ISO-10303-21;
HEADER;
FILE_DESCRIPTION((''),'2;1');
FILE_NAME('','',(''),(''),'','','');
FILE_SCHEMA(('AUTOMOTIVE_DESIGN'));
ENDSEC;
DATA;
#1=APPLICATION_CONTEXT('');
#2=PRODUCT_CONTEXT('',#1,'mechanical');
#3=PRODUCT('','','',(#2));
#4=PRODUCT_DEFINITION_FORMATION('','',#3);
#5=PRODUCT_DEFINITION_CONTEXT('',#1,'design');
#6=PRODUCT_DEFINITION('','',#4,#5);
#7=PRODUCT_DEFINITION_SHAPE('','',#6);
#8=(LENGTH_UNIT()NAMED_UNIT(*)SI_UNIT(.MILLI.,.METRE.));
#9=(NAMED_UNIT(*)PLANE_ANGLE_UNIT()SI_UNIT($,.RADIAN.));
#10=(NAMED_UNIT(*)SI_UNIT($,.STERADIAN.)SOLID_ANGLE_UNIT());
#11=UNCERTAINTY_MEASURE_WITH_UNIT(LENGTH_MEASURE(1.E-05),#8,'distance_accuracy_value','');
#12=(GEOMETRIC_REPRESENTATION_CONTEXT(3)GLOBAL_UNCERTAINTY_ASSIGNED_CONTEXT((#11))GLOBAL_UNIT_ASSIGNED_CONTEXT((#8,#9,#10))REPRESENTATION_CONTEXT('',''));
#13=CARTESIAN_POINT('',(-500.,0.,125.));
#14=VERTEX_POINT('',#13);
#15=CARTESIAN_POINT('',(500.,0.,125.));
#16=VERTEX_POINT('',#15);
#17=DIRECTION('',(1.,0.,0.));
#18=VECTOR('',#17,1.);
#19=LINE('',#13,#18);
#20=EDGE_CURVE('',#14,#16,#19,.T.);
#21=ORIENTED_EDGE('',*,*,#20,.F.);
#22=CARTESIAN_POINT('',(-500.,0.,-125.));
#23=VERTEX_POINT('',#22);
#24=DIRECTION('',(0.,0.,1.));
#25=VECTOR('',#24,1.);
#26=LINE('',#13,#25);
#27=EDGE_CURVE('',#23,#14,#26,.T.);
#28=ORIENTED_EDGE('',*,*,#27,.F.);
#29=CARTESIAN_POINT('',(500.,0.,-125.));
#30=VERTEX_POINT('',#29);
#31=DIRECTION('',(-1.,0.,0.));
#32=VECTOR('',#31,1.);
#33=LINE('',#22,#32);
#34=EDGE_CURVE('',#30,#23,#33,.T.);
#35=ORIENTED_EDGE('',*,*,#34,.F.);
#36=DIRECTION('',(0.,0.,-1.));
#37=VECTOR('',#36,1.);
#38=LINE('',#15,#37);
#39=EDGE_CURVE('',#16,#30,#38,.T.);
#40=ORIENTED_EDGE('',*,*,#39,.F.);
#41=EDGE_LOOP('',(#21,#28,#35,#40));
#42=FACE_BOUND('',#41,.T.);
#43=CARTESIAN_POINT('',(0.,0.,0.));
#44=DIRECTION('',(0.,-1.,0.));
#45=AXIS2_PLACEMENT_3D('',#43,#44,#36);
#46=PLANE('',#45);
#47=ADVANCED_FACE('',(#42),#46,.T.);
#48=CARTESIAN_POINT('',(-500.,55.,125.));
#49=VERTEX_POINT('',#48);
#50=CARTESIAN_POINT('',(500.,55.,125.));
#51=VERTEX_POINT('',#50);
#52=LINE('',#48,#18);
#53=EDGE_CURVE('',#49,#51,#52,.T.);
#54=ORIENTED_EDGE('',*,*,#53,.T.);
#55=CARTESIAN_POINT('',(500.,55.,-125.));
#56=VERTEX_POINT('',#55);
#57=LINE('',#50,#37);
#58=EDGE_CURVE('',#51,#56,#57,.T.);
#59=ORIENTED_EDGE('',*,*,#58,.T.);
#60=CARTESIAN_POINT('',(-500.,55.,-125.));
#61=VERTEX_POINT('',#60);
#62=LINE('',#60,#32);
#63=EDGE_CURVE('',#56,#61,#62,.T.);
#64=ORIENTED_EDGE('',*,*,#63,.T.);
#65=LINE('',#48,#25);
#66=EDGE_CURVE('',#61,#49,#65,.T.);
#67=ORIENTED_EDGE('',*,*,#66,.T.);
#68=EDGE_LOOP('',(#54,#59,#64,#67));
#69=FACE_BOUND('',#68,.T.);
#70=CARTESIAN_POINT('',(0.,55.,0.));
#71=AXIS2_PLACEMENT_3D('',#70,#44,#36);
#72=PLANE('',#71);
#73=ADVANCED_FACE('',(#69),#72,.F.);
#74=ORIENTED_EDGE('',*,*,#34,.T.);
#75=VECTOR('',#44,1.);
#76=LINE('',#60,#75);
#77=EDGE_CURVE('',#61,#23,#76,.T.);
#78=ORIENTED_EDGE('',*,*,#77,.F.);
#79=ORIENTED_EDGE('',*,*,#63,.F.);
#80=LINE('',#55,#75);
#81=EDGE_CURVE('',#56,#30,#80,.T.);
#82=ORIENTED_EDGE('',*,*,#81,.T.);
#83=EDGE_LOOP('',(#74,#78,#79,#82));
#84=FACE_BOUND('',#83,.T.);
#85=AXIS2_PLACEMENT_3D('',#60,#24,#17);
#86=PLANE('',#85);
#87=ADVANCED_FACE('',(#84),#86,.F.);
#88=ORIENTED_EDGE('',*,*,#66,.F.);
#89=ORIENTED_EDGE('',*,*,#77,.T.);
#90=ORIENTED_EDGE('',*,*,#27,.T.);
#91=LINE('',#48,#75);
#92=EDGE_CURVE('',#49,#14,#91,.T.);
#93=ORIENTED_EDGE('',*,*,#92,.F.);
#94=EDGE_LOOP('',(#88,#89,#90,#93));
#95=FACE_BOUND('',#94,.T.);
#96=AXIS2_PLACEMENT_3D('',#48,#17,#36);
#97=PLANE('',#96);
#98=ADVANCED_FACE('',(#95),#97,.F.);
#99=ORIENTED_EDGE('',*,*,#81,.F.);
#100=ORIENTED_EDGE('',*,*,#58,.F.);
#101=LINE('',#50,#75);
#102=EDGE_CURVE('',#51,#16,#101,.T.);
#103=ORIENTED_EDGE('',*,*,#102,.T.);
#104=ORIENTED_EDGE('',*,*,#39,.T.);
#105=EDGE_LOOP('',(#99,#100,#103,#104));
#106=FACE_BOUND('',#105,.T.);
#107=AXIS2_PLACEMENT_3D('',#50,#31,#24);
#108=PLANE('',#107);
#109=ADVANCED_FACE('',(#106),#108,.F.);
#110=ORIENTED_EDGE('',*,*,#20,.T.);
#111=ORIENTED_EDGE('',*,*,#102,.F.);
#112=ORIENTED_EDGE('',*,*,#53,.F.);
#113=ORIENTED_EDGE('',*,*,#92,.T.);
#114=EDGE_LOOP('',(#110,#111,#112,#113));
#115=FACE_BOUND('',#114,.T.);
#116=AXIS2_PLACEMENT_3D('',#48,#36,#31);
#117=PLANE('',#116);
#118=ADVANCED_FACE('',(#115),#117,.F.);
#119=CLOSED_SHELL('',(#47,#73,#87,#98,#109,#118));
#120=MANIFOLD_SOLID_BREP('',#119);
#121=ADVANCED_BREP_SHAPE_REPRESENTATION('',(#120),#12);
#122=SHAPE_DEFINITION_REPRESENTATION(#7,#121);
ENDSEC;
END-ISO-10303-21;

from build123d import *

# Parameters (mm, degrees)
SKETCH_1_W      = 1000
SKETCH_1_H      = 250
EXTRUDE_1_DEPTH = 55


with BuildPart() as part:
    # 草图1 → 凸台-拉伸1 (new body)
    with BuildSketch(Plane(origin=(0, 0, 0), x_dir=(1, 0, 0), z_dir=(0, 1, 0))):
        Rectangle(SKETCH_1_W, SKETCH_1_H)
    extrude(amount=EXTRUDE_1_DEPTH)


solid = part.part
